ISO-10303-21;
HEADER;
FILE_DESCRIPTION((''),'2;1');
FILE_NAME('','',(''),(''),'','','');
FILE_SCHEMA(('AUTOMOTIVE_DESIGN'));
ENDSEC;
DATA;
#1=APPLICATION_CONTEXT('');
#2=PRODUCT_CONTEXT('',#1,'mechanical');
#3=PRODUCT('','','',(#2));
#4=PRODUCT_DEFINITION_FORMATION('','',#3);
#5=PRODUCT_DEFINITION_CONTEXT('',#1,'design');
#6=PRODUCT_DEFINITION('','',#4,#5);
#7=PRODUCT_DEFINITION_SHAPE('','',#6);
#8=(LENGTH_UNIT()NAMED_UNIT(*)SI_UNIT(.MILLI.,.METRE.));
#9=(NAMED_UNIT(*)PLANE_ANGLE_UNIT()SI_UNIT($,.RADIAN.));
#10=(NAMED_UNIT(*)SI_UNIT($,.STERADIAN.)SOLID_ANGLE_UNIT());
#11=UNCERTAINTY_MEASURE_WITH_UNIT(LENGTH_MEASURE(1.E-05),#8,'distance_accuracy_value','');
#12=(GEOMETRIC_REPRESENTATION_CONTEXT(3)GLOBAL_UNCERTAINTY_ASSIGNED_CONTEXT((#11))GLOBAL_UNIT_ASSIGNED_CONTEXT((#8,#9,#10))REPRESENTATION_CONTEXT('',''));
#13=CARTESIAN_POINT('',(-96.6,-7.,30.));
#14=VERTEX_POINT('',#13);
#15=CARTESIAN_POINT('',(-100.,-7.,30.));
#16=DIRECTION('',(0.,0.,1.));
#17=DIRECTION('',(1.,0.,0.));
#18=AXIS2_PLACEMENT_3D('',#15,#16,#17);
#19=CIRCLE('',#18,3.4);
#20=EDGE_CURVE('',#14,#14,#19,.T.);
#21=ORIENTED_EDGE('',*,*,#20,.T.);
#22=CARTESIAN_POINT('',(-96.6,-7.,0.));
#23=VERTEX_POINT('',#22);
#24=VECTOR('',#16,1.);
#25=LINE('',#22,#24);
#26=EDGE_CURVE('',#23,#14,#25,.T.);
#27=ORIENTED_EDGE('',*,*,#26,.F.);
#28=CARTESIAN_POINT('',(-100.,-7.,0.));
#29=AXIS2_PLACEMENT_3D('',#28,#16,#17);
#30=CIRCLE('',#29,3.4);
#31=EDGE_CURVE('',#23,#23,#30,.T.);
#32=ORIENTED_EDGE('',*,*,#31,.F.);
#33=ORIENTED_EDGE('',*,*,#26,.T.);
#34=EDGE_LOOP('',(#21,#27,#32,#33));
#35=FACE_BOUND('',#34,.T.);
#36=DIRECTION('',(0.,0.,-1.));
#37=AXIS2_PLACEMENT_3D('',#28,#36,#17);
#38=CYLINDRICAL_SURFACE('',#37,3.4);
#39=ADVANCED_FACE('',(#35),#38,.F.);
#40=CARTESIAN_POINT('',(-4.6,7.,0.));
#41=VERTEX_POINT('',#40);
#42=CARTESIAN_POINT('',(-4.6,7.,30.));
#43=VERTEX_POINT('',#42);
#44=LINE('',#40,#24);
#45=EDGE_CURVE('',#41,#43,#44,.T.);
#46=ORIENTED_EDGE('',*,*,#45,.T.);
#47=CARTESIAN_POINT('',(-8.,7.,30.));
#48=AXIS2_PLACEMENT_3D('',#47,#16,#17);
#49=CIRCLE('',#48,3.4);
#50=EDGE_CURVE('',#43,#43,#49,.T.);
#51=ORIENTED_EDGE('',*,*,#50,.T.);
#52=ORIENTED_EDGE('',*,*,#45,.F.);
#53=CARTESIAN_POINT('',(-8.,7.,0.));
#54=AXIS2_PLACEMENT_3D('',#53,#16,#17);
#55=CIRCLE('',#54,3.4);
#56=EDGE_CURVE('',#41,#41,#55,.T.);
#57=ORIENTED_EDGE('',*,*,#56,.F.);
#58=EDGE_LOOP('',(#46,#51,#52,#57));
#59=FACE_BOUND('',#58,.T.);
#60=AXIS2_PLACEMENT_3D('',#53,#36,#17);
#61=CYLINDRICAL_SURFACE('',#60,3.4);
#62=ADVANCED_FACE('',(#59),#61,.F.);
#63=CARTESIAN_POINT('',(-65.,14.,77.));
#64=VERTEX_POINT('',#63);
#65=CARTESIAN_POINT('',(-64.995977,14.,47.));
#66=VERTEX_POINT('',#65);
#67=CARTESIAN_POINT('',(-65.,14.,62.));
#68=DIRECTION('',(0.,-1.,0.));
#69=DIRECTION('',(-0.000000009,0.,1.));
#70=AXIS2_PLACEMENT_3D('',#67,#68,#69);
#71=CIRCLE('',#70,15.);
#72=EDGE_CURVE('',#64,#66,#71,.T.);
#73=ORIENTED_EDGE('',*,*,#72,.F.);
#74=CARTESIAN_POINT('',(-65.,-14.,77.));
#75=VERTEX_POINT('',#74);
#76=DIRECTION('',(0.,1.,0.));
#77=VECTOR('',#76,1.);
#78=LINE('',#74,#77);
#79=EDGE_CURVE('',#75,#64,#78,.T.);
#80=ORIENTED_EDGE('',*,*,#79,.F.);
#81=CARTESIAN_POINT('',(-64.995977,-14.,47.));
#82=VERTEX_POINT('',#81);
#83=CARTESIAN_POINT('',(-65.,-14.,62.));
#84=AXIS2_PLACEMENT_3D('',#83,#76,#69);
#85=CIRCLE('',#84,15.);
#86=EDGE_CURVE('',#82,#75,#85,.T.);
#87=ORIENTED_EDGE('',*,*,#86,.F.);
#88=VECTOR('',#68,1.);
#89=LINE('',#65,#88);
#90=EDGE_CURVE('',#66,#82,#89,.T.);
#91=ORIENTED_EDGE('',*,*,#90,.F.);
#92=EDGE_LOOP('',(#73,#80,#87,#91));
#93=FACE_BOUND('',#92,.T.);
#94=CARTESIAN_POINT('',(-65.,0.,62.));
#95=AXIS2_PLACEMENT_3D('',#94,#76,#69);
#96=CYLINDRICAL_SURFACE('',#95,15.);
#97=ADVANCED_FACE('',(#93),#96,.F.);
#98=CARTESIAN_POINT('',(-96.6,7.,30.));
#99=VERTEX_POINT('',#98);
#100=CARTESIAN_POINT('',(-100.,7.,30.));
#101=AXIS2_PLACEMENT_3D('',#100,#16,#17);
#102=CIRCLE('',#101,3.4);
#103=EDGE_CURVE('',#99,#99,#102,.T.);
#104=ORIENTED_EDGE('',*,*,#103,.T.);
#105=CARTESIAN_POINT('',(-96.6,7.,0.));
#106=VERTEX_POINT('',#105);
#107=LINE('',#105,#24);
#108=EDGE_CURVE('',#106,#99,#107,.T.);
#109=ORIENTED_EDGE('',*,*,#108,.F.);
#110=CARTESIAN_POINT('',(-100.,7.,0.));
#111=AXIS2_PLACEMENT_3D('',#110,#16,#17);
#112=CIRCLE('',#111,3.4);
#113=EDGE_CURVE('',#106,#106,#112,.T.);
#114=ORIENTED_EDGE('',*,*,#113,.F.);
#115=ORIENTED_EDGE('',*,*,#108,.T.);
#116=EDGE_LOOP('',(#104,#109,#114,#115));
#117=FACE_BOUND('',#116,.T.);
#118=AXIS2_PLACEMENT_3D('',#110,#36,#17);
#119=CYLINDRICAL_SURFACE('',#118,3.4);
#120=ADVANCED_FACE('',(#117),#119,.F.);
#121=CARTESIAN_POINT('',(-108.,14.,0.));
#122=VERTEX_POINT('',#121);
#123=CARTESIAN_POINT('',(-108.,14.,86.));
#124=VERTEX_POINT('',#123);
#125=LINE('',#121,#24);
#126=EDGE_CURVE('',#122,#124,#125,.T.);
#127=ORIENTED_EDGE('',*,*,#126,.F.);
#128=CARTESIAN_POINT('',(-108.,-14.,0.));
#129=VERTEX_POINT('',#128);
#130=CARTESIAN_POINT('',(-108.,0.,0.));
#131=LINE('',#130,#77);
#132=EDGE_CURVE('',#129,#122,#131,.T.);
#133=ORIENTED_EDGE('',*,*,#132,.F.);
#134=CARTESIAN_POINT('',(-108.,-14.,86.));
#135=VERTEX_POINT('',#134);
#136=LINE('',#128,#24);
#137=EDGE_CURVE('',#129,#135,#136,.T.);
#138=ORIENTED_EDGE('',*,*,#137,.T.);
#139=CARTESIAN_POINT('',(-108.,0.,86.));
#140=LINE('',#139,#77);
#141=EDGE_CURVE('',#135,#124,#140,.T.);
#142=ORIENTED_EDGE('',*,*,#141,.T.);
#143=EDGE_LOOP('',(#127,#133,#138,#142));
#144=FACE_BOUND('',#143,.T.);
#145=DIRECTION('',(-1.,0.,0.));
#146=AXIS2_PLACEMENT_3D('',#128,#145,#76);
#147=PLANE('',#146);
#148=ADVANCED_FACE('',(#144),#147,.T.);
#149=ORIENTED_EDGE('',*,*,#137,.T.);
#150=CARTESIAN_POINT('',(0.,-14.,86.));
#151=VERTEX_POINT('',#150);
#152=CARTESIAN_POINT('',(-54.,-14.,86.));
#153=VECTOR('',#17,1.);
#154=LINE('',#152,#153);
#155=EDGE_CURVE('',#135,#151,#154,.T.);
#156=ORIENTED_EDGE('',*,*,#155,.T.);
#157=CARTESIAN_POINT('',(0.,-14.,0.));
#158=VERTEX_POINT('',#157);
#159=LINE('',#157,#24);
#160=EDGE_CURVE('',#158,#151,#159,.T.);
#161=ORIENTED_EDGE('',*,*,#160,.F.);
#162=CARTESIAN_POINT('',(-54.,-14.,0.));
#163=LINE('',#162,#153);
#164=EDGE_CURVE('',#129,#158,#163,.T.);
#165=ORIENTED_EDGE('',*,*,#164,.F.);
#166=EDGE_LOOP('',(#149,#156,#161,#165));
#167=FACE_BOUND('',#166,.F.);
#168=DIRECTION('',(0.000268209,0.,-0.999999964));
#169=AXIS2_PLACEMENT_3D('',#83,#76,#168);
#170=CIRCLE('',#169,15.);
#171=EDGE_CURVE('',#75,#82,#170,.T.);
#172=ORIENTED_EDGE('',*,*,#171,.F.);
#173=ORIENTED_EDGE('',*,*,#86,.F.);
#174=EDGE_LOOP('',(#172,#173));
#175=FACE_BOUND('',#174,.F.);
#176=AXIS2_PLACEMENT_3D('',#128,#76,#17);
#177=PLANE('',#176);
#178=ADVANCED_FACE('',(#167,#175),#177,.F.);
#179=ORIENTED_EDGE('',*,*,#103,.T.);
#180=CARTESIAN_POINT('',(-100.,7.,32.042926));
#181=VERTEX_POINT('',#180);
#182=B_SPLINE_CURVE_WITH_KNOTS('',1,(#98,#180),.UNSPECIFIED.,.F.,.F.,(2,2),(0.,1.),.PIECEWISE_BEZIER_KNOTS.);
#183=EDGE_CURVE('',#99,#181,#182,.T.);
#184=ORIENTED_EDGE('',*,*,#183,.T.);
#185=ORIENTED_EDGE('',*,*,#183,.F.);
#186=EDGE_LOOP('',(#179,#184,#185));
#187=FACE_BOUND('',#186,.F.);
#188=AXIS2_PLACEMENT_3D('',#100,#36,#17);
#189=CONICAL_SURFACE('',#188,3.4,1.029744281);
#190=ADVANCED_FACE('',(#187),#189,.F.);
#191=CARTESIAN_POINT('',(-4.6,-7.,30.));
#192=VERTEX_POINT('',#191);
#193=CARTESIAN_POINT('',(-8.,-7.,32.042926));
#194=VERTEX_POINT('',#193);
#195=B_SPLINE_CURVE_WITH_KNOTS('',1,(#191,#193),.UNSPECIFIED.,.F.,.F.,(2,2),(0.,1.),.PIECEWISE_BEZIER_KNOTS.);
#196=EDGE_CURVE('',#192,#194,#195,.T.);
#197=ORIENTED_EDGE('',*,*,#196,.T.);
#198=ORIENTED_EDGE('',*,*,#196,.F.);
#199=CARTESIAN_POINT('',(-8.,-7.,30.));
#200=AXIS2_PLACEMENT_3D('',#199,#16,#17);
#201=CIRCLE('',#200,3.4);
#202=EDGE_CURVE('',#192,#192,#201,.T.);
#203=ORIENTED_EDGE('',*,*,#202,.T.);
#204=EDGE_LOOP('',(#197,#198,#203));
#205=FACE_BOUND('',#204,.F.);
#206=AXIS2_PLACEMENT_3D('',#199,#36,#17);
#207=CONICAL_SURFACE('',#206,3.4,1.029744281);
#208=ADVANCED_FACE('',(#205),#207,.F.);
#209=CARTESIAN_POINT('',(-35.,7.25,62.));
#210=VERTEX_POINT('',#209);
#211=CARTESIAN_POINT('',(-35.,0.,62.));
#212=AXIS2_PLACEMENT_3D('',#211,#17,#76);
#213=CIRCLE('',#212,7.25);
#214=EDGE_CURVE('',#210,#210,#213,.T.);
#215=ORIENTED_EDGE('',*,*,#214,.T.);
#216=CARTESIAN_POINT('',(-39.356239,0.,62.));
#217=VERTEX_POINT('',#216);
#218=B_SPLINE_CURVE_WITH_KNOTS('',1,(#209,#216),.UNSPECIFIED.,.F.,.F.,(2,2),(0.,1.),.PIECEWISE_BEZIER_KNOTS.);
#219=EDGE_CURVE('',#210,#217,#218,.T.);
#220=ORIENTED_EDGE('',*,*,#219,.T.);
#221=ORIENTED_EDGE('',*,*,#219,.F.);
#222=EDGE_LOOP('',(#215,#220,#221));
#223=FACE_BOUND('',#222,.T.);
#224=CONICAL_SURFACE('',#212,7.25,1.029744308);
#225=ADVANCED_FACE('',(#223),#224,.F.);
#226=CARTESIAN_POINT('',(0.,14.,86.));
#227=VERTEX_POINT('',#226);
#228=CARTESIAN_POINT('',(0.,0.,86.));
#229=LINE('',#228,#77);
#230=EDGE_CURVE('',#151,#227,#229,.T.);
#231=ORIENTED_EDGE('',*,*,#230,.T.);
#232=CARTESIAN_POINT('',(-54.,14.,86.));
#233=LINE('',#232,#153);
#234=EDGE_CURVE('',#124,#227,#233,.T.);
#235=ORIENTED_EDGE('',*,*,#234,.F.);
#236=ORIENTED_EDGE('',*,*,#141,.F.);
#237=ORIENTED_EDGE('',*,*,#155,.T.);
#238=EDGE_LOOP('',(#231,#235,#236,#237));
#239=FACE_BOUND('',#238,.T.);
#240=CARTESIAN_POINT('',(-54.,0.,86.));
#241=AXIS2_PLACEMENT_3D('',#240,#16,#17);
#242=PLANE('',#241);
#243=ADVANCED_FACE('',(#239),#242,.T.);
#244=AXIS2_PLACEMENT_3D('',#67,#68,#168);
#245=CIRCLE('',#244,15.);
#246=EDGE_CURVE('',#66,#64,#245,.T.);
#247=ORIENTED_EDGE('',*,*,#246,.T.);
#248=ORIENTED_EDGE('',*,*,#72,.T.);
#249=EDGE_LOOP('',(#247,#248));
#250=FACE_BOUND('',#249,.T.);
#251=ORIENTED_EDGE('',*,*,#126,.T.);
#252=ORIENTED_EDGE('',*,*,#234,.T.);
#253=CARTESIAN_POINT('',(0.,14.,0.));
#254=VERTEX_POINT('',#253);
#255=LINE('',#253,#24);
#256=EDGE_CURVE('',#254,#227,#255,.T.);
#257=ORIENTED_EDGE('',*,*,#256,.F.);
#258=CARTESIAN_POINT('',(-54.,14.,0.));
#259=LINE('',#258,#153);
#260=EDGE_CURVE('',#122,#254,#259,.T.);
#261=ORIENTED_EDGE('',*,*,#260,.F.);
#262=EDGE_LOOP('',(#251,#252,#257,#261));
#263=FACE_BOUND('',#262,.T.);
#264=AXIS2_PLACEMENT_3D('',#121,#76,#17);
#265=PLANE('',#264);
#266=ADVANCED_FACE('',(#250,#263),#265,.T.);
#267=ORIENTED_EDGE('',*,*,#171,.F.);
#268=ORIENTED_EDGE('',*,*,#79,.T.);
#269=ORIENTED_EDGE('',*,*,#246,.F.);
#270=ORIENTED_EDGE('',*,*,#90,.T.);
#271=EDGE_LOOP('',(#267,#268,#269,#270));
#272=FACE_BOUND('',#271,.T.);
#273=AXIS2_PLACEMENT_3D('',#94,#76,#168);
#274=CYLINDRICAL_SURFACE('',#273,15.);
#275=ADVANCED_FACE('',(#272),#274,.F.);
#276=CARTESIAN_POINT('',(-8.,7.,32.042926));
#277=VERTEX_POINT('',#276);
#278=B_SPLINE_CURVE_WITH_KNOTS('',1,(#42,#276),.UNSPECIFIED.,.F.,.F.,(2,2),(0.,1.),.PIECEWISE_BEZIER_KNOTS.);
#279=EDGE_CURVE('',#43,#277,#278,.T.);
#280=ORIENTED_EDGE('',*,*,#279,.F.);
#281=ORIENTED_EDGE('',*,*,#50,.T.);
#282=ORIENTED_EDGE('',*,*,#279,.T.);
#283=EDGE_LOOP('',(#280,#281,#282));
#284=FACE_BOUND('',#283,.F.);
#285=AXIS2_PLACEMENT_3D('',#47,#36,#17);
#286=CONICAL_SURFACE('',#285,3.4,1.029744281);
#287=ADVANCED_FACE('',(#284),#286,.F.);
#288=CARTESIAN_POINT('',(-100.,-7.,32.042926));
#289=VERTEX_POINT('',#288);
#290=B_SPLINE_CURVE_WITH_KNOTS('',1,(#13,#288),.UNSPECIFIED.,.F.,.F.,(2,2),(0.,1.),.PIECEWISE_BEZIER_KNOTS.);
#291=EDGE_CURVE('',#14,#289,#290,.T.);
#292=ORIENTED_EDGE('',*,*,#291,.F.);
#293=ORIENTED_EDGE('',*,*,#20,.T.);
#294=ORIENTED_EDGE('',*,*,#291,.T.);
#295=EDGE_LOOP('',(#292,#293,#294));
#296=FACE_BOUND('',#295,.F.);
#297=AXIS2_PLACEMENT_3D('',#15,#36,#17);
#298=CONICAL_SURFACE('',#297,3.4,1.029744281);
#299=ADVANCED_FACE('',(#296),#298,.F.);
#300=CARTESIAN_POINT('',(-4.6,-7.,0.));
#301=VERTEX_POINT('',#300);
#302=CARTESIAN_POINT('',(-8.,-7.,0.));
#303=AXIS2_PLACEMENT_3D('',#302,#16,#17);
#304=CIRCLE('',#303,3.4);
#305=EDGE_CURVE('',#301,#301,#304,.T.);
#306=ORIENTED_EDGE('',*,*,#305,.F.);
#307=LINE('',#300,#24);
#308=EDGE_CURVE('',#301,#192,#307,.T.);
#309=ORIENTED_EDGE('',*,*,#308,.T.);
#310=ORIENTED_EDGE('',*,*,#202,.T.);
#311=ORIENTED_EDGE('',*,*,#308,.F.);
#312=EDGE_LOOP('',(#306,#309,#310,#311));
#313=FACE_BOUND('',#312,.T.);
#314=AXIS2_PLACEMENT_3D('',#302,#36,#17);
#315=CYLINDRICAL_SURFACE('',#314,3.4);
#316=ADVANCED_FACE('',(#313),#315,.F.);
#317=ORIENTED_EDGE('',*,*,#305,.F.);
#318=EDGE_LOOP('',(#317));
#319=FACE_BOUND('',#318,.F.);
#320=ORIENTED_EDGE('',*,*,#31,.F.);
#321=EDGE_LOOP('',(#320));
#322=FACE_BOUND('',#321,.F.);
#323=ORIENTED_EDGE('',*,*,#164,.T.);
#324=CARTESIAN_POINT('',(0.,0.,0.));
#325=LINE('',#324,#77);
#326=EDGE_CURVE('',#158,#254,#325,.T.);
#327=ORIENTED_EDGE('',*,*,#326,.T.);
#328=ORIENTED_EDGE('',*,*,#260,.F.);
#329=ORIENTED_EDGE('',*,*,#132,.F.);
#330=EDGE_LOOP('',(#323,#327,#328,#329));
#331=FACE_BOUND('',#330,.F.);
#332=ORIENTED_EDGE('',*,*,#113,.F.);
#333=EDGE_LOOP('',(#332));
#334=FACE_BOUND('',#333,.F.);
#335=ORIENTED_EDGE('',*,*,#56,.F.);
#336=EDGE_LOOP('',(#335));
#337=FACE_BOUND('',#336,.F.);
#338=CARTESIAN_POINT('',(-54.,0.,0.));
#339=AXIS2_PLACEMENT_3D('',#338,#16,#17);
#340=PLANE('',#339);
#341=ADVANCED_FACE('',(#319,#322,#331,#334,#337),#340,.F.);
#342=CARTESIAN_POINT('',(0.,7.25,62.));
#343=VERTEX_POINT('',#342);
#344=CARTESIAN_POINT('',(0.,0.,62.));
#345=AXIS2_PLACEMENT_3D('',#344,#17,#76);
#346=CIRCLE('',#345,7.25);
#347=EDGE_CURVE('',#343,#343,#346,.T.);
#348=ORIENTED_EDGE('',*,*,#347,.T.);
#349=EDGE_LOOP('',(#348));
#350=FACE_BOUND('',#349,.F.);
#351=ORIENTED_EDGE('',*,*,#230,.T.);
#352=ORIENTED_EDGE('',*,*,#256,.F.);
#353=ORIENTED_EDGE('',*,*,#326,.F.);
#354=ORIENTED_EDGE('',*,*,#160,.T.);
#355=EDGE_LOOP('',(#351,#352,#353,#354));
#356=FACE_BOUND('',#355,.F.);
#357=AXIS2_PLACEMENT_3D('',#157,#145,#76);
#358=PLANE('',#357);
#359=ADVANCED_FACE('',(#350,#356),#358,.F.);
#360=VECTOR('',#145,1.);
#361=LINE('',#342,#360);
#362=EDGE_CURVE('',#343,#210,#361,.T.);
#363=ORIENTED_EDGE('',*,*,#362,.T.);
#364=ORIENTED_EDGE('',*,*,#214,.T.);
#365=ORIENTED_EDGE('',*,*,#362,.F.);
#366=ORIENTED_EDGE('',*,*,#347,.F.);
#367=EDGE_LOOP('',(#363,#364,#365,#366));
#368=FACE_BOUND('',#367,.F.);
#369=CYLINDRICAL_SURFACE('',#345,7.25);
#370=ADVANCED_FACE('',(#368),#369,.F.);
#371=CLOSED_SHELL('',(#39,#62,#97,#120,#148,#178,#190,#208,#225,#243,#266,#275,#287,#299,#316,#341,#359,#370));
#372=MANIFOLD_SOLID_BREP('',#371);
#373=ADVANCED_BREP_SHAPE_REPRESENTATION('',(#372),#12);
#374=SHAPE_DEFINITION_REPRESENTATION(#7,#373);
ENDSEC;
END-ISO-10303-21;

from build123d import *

# Parameters (mm, degrees)
SKETCH_W             = 108
SKETCH_H             = 28
PAD_DEPTH            = 86
POCKET001_DEPTH      = 14.001
POCKET001_DEPTH_BACK = 14.001
SKETCH003_R          = 3.4
HOLE_DEPTH           = 30
HOLE_TIPS_R          = 3.4
SKETCH001_R          = 7.25
HOLE001_DEPTH        = 35
HOLE001_TIPS_R       = 7.25


with BuildPart() as part:
    # Sketch → Pad (new body)
    with BuildSketch(Plane.XY):
        with Locations((-54, 0)):
            Rectangle(SKETCH_W, SKETCH_H)
    extrude(amount=PAD_DEPTH)

    # Sketch002 → Pocket001 (cut, two sides)
    with BuildSketch(Plane.XZ) as pocket001_sk:
        with BuildLine():
            ThreePointArc((-64.995977, 47), (-50, 62.002011), (-65, 77))
            ThreePointArc((-65, 77), (-80, 61.997989), (-64.995977, 47))
        make_face()
    extrude(amount=-POCKET001_DEPTH, mode=Mode.SUBTRACT)
    extrude(pocket001_sk.sketch, amount=POCKET001_DEPTH_BACK, mode=Mode.SUBTRACT)

    # Sketch003 → Hole (cut)
    with BuildSketch(Plane.XY):
        with Locations((-100, 7)):
            Circle(SKETCH003_R)
        with Locations((-100, -7)):
            Circle(SKETCH003_R)
        with Locations((-8, 7)):
            Circle(SKETCH003_R)
        with Locations((-8, -7)):
            Circle(SKETCH003_R)
    extrude(amount=HOLE_DEPTH, mode=Mode.SUBTRACT)

    # Hole tips → Hole tip 1 section 0
    with BuildSketch(Plane.XY.offset(30), mode=Mode.PRIVATE) as hole_tip_1_s0:
        with Locations((-100, 7)):
            Circle(HOLE_TIPS_R)
    loft([hole_tip_1_s0.sketch, Vertex(-100, 7, 32.042926)], mode=Mode.SUBTRACT)

    # Hole tips → Hole tip 2 section 0
    with BuildSketch(Plane.XY.offset(30), mode=Mode.PRIVATE) as hole_tip_2_s0:
        with Locations((-100, -7)):
            Circle(HOLE_TIPS_R)
    loft([hole_tip_2_s0.sketch, Vertex(-100, -7, 32.042926)], mode=Mode.SUBTRACT)

    # Hole tips → Hole tip 3 section 0
    with BuildSketch(Plane.XY.offset(30), mode=Mode.PRIVATE) as hole_tip_3_s0:
        with Locations((-8, 7)):
            Circle(HOLE_TIPS_R)
    loft([hole_tip_3_s0.sketch, Vertex(-8, 7, 32.042926)], mode=Mode.SUBTRACT)

    # Hole tips → Hole tip 4 section 0
    with BuildSketch(Plane.XY.offset(30), mode=Mode.PRIVATE) as hole_tip_4_s0:
        with Locations((-8, -7)):
            Circle(HOLE_TIPS_R)
    loft([hole_tip_4_s0.sketch, Vertex(-8, -7, 32.042926)], mode=Mode.SUBTRACT)

    # Sketch001 → Hole001 (cut)
    with BuildSketch(Plane.YZ):
        with Locations((0, 62)):
            Circle(SKETCH001_R)
    extrude(amount=-HOLE001_DEPTH, mode=Mode.SUBTRACT)

    # Hole001 tips → Hole001 tip 1 section 0
    with BuildSketch(Plane.YZ.offset(-35), mode=Mode.PRIVATE) as hole001_tip_1_s0:
        with Locations((0, 62)):
            Circle(HOLE001_TIPS_R)
    loft([hole001_tip_1_s0.sketch, Vertex(-39.356239, 0, 62)], mode=Mode.SUBTRACT)


solid = part.part
